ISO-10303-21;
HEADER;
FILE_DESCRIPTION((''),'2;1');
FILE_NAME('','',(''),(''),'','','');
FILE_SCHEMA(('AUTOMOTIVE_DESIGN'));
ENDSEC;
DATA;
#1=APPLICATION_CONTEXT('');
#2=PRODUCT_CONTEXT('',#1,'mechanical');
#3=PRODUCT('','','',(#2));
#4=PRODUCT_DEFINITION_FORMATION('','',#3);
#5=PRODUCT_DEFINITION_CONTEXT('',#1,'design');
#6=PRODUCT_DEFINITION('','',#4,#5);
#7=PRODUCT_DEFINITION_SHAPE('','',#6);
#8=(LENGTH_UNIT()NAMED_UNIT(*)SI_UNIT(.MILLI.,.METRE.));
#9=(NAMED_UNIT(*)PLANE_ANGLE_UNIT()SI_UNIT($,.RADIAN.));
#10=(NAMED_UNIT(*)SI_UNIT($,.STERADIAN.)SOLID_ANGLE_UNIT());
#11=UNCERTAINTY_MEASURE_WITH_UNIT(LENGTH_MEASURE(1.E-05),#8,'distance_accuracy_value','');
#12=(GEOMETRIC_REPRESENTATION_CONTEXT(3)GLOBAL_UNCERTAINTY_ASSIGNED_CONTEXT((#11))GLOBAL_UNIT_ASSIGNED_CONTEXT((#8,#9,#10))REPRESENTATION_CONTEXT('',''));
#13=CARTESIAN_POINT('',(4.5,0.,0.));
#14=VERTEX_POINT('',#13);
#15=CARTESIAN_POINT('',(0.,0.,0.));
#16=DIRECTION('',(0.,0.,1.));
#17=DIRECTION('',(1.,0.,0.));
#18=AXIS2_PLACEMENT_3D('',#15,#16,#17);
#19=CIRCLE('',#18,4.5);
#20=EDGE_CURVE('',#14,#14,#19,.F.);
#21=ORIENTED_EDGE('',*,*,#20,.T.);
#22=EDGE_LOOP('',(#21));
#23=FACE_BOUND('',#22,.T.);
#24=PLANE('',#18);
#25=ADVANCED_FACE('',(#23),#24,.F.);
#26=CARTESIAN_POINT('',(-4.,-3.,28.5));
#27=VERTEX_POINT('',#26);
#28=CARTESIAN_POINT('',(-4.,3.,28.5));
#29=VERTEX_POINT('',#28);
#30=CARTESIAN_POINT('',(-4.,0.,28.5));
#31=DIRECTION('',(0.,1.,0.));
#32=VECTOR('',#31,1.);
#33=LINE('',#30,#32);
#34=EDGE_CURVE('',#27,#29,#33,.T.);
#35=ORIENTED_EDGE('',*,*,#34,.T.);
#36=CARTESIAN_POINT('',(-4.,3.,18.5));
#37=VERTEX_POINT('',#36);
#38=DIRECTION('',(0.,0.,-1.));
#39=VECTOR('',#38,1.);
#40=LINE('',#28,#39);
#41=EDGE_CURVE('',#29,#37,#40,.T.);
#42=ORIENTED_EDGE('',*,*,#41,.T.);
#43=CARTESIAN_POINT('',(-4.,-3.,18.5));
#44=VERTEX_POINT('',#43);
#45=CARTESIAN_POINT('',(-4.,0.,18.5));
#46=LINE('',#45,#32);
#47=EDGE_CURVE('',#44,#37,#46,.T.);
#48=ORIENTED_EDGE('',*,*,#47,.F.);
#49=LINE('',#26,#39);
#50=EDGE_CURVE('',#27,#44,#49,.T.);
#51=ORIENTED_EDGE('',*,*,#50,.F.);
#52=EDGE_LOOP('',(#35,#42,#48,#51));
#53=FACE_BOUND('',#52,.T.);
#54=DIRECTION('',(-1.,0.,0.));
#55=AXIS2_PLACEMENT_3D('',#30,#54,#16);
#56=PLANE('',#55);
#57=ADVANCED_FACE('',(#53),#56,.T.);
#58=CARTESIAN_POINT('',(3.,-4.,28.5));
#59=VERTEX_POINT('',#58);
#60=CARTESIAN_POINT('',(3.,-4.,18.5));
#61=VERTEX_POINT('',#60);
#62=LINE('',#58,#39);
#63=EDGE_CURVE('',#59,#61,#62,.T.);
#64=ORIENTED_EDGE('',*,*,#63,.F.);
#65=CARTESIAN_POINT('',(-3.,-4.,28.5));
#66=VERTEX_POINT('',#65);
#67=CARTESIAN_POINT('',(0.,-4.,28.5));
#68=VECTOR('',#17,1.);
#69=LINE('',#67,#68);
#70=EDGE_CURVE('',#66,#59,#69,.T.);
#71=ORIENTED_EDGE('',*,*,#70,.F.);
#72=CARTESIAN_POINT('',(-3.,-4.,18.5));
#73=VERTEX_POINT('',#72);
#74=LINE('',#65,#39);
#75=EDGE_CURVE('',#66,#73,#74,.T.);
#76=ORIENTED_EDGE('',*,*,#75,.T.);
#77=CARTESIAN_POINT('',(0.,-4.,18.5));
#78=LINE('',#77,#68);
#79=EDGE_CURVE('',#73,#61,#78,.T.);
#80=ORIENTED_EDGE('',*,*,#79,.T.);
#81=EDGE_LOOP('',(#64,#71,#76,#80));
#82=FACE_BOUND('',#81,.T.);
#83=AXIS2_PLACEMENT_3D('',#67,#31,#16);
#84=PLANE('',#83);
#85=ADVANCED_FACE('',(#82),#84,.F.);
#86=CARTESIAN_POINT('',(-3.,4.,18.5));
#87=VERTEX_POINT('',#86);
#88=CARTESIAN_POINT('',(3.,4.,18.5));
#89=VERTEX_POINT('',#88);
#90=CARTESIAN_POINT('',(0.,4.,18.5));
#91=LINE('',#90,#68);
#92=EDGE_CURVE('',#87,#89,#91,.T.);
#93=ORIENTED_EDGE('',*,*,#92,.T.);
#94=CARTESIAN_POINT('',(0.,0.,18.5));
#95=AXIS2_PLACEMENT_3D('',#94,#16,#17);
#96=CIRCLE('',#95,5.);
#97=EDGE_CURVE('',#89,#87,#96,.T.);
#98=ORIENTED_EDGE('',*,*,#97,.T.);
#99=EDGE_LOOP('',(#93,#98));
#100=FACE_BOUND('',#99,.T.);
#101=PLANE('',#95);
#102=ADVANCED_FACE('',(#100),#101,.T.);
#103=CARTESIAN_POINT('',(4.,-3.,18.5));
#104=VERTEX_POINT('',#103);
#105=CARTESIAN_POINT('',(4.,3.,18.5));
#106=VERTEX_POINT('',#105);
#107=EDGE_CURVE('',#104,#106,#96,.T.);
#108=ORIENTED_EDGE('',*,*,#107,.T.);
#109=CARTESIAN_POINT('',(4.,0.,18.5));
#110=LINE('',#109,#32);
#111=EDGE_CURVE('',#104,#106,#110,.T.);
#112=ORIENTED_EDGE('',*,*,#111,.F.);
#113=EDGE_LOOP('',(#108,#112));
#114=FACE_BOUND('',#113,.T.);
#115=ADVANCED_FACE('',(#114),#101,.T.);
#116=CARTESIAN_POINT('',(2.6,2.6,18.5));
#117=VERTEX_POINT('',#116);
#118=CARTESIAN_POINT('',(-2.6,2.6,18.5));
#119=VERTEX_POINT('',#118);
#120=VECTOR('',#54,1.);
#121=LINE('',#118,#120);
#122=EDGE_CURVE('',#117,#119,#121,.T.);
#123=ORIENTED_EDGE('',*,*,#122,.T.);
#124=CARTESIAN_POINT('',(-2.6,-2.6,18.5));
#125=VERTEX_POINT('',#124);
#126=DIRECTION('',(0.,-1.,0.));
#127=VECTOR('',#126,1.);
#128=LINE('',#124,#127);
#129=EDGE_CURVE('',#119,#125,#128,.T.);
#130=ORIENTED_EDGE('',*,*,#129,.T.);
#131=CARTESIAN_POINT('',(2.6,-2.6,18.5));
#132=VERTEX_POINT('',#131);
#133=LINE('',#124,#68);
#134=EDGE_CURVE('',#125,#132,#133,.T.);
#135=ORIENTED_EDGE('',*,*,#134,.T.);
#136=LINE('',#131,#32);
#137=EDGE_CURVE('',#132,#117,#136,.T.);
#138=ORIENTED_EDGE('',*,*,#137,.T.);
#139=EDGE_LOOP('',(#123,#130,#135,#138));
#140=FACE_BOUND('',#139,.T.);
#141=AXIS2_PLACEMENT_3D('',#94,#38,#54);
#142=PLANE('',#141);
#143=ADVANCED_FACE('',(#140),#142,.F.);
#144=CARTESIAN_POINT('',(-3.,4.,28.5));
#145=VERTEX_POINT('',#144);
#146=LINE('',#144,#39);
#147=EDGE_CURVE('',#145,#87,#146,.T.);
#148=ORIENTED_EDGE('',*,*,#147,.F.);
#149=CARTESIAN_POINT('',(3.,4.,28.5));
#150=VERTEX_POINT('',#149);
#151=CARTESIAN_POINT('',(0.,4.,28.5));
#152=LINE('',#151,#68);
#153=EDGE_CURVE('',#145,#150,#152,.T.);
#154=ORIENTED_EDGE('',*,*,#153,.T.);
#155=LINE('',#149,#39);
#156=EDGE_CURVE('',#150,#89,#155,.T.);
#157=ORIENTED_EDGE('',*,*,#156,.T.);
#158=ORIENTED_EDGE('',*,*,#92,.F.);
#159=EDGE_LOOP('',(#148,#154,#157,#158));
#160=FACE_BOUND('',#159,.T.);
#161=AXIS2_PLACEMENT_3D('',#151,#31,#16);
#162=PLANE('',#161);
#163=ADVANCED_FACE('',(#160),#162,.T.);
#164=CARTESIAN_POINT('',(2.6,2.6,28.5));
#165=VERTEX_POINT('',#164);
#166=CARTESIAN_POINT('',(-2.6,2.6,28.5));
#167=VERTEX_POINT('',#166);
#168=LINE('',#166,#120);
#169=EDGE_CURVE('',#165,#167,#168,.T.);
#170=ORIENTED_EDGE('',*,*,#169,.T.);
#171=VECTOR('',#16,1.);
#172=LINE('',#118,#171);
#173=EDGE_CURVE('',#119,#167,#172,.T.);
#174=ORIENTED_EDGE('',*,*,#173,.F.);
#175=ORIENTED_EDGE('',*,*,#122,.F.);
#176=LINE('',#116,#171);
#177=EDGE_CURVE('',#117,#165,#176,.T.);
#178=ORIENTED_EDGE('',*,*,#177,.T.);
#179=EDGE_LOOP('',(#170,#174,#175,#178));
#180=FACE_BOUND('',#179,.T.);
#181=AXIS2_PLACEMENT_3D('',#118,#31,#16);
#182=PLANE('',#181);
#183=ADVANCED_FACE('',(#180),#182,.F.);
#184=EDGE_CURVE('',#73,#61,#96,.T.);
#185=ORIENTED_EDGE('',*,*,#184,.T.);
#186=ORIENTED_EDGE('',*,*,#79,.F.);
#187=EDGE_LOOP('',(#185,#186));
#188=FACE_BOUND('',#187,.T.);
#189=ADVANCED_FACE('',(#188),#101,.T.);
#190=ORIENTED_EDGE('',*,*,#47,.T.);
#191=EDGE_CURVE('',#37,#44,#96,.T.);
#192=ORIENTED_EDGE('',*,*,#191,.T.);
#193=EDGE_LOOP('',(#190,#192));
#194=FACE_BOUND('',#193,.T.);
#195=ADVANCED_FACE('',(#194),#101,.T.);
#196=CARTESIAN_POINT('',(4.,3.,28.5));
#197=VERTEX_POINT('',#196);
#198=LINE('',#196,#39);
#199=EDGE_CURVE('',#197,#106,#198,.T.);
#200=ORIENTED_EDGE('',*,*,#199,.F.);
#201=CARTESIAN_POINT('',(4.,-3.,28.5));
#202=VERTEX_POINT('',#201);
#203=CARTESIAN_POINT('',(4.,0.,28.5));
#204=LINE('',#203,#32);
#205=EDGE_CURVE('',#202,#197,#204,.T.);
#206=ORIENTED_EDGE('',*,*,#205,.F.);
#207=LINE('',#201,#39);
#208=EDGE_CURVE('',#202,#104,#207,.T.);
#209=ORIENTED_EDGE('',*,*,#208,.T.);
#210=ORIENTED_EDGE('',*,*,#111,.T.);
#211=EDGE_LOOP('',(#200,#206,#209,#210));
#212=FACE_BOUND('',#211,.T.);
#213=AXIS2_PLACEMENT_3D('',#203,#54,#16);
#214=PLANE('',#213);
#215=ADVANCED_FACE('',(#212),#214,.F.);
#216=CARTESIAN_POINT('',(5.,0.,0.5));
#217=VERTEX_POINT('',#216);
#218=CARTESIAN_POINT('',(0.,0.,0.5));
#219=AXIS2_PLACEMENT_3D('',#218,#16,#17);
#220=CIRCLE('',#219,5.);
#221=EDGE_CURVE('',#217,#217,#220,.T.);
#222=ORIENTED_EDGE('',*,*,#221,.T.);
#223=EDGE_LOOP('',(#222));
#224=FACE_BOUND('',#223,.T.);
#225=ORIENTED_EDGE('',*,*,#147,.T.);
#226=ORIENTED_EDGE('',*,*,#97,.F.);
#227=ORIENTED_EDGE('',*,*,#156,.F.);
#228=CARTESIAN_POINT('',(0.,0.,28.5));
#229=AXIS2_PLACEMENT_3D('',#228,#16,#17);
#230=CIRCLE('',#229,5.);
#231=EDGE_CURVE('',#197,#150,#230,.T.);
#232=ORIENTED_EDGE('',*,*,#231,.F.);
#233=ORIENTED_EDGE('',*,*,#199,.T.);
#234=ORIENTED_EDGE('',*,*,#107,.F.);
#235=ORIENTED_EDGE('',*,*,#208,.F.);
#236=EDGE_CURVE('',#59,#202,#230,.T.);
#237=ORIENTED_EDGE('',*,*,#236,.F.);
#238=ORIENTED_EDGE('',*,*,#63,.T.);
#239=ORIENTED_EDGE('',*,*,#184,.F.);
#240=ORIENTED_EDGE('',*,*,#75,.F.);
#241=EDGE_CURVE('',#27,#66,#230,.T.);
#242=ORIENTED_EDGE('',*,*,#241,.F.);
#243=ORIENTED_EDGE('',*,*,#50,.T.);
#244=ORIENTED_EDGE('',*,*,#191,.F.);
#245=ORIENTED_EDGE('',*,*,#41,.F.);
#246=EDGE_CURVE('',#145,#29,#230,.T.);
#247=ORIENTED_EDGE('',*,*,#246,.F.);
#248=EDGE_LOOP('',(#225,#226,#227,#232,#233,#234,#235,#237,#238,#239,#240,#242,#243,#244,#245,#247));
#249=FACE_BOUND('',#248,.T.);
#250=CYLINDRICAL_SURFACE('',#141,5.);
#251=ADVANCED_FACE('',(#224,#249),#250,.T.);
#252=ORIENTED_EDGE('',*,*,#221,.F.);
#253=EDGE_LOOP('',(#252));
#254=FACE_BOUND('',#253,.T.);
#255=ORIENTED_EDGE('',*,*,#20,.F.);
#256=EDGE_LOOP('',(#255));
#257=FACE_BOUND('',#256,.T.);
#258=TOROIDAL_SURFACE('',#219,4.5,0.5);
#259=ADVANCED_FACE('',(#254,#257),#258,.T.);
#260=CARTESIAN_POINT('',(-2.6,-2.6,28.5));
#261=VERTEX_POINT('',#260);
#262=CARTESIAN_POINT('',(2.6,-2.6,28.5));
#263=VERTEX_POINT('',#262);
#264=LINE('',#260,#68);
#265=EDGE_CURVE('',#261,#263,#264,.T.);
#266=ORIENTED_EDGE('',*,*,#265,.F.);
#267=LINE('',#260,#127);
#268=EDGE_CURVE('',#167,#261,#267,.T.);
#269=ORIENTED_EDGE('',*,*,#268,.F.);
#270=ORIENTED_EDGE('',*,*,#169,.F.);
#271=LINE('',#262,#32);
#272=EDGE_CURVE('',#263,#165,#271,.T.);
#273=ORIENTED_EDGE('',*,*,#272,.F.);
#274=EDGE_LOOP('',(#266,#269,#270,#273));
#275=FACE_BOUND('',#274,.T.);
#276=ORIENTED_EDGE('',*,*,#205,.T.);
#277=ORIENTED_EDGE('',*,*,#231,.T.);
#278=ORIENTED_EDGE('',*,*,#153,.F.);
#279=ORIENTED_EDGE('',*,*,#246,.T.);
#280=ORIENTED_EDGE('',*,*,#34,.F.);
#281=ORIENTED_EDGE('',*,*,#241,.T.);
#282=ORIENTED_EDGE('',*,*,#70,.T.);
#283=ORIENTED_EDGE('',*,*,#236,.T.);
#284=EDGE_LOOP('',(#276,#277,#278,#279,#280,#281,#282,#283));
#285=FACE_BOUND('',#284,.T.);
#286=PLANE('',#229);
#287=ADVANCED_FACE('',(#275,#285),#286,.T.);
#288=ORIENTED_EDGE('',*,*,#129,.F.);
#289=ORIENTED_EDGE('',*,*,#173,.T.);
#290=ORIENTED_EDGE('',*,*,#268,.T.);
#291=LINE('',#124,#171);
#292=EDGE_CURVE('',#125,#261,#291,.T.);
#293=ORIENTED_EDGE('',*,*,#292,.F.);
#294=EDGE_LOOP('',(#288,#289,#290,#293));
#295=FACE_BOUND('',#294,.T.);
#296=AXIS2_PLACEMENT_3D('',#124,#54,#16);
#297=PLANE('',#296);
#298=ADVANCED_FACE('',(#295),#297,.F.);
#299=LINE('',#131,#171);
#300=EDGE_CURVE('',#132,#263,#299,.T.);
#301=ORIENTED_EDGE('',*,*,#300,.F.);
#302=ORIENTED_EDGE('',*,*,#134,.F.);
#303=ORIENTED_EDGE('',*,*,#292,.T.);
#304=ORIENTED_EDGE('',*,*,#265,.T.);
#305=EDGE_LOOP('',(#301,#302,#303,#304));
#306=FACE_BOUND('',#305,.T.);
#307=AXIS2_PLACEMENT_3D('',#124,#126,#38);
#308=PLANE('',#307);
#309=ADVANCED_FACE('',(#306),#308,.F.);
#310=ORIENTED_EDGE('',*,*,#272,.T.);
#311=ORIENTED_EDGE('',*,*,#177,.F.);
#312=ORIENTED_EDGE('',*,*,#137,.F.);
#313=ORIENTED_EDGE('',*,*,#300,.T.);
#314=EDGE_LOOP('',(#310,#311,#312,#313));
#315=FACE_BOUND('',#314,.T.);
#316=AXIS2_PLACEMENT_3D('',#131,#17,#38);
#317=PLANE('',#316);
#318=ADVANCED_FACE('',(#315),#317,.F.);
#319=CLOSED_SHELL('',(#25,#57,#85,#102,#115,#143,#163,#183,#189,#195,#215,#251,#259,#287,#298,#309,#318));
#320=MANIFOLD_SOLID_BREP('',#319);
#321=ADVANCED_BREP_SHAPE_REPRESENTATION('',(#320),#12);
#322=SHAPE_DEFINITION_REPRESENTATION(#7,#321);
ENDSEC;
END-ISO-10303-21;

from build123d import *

# Parameters (mm, degrees)
SKETCH1_R           = 5
BOSS_EXTRUDE1_DEPTH = 18.5
BOSS_EXTRUDE2_DEPTH = 10
SKETCH4_W           = 5.2
SKETCH4_H           = 5.2
CUT_EXTRUDE2_DEPTH  = 10
FILLET1_R           = 0.5


with BuildPart() as part:
    # Sketch1 → Boss-Extrude1 (new body)
    with BuildSketch(Plane.XY):
        Circle(SKETCH1_R)
    extrude(amount=BOSS_EXTRUDE1_DEPTH)

    # Sketch3 → Boss-Extrude2 (add)
    with BuildSketch(Plane.XY.offset(18.5)):
        with BuildLine():
            ThreePointArc((-4, -3), (-3.535533906, -3.535533906), (-3, -4))
            Line((-3, -4), (3, -4))
            ThreePointArc((3, -4), (3.535533906, -3.535533906), (4, -3))
            Line((4, -3), (4, 3))
            ThreePointArc((4, 3), (3.535533906, 3.535533906), (3, 4))
            Line((3, 4), (-3, 4))
            ThreePointArc((-3, 4), (-3.535533906, 3.535533906), (-4, 3))
            Line((-4, 3), (-4, -3))
        make_face()
    extrude(amount=BOSS_EXTRUDE2_DEPTH)

    # Sketch4 → Cut-Extrude2 (cut)
    with BuildSketch(Plane.XY.offset(28.5)):
        Rectangle(SKETCH4_W, SKETCH4_H)
    extrude(amount=-CUT_EXTRUDE2_DEPTH, mode=Mode.SUBTRACT)

    # Fillet1
    fillet1_edges = [part.edges().sort_by_distance(p)[0] for p in [
        (-5, 0, 0),
    ]]
    fillet(fillet1_edges, radius=FILLET1_R)


solid = part.part
